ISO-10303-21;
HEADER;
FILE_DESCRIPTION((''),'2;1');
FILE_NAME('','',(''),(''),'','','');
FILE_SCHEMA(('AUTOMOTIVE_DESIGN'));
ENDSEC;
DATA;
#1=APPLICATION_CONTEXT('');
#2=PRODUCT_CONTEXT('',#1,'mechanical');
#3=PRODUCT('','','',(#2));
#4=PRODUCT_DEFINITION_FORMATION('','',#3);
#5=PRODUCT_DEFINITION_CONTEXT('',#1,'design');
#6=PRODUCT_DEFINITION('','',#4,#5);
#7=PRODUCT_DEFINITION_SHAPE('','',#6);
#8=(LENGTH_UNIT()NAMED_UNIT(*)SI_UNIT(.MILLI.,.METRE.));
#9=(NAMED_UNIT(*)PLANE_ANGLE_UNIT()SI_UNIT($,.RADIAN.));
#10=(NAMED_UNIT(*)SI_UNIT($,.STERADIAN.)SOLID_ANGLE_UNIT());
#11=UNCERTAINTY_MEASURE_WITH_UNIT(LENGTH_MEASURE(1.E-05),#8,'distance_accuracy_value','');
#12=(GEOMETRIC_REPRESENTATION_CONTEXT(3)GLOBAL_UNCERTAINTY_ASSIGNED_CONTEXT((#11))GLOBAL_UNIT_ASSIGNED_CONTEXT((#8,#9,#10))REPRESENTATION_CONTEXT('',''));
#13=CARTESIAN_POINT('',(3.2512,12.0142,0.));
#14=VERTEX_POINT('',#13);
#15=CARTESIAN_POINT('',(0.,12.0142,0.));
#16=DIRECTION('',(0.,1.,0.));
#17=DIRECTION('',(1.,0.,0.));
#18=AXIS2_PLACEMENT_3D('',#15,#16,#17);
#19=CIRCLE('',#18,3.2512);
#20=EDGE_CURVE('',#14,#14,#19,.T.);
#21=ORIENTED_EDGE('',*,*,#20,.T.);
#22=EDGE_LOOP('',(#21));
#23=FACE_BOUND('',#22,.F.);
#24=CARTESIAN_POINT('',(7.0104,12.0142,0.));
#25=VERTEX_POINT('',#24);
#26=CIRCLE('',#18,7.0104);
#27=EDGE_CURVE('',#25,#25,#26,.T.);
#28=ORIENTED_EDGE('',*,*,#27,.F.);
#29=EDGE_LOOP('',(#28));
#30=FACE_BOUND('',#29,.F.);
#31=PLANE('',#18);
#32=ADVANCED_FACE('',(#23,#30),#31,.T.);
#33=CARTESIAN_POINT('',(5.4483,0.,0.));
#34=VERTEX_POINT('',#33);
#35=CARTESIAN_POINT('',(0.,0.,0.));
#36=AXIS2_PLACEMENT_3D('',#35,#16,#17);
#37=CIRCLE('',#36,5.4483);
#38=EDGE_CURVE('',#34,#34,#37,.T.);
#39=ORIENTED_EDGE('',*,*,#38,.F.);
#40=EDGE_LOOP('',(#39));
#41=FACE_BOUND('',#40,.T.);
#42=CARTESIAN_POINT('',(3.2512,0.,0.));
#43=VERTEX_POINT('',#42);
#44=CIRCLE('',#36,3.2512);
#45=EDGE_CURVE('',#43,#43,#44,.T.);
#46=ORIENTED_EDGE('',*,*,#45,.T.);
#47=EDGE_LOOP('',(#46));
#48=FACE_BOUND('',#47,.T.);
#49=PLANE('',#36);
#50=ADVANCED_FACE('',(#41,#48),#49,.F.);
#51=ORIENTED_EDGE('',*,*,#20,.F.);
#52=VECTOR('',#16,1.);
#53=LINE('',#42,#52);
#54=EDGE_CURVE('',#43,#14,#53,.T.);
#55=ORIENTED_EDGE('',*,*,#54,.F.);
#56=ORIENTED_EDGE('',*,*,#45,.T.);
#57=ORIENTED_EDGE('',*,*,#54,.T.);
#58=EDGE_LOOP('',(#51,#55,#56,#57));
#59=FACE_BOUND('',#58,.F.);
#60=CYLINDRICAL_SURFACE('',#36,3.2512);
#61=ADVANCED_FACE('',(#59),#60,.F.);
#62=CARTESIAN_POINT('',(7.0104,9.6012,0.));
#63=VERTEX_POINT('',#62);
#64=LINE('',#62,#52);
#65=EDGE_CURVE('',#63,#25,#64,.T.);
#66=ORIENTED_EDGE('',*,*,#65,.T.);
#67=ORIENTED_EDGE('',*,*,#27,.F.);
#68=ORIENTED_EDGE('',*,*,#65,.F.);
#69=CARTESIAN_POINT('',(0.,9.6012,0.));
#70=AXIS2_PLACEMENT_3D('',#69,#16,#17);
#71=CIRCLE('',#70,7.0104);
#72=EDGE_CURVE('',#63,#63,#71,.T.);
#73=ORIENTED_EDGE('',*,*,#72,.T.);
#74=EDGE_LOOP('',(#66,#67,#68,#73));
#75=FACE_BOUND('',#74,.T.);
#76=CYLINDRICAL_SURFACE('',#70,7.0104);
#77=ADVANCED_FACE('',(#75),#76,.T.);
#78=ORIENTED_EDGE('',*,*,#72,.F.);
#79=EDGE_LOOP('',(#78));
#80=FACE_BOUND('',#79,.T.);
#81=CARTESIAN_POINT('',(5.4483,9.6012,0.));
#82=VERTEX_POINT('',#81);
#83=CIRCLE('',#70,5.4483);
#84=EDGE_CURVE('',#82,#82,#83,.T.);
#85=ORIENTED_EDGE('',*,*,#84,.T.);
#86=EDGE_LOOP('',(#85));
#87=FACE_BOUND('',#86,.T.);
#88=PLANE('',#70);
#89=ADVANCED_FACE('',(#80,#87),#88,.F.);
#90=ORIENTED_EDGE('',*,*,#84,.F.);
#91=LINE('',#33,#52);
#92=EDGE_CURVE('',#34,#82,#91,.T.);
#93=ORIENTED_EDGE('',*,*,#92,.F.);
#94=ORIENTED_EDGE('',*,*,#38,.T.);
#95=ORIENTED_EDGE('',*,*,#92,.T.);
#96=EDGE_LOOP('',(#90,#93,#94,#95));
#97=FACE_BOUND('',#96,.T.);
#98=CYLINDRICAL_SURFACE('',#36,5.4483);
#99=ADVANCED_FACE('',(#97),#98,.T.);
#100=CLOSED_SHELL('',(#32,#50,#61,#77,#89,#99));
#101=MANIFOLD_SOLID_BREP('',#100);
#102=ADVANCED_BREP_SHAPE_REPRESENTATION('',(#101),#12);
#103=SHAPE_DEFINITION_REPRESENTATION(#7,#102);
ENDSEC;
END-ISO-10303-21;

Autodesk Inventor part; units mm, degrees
ref_plane "YZ Plane" through (0, 0, 0) normal (1, 0, 0) x (0, 1, 0)
ref_plane "XZ Plane" through (0, 0, 0) normal (0, 1, 0) x (-1, 0, 0)
ref_plane "XY Plane" through (0, 0, 0) normal (0, 0, 1) x (1, 0, 0)
sketch "Sketch2" plane through (0, 0, 0) normal (0, 0, 1) x (1, 0, 0)
  line L0 (0, 0) -> (0, 12.088)
sketch "Sketch3" plane through (0, 0, 0) normal (0, 0, 1) x (1, 0, 0)
  line L0 (0, 0) -> (5.4483, 0)
  line L1 (0, 0) -> (3.2512, 0)
  line L2 (3.2512, 0) -> (3.2512, 12.0142)
  line L3 (3.2512, 12.0142) -> (0, 12.0142)
  line L4 (0, 12.0142) -> (7.0104, 12.0142)
  line L5 (5.4483, 0) -> (5.4483, 9.6012)
  line L6 (5.4483, 9.6012) -> (7.0104, 9.6012)
  line L7 (7.0104, 9.6012) -> (7.0104, 12.0142)
  dimension "d8" = 5.4483
  dimension "d9" = 3.2512
  dimension "d10" = 12.0142
  dimension "d11" = 7.0104
  dimension "d12" = 9.6012
revolve "Revolution1" add sketch "Sketch3" angle 360 about axis through (0, 0, 0) along (0, 1, 0)
properties part number ".25eyelet"
